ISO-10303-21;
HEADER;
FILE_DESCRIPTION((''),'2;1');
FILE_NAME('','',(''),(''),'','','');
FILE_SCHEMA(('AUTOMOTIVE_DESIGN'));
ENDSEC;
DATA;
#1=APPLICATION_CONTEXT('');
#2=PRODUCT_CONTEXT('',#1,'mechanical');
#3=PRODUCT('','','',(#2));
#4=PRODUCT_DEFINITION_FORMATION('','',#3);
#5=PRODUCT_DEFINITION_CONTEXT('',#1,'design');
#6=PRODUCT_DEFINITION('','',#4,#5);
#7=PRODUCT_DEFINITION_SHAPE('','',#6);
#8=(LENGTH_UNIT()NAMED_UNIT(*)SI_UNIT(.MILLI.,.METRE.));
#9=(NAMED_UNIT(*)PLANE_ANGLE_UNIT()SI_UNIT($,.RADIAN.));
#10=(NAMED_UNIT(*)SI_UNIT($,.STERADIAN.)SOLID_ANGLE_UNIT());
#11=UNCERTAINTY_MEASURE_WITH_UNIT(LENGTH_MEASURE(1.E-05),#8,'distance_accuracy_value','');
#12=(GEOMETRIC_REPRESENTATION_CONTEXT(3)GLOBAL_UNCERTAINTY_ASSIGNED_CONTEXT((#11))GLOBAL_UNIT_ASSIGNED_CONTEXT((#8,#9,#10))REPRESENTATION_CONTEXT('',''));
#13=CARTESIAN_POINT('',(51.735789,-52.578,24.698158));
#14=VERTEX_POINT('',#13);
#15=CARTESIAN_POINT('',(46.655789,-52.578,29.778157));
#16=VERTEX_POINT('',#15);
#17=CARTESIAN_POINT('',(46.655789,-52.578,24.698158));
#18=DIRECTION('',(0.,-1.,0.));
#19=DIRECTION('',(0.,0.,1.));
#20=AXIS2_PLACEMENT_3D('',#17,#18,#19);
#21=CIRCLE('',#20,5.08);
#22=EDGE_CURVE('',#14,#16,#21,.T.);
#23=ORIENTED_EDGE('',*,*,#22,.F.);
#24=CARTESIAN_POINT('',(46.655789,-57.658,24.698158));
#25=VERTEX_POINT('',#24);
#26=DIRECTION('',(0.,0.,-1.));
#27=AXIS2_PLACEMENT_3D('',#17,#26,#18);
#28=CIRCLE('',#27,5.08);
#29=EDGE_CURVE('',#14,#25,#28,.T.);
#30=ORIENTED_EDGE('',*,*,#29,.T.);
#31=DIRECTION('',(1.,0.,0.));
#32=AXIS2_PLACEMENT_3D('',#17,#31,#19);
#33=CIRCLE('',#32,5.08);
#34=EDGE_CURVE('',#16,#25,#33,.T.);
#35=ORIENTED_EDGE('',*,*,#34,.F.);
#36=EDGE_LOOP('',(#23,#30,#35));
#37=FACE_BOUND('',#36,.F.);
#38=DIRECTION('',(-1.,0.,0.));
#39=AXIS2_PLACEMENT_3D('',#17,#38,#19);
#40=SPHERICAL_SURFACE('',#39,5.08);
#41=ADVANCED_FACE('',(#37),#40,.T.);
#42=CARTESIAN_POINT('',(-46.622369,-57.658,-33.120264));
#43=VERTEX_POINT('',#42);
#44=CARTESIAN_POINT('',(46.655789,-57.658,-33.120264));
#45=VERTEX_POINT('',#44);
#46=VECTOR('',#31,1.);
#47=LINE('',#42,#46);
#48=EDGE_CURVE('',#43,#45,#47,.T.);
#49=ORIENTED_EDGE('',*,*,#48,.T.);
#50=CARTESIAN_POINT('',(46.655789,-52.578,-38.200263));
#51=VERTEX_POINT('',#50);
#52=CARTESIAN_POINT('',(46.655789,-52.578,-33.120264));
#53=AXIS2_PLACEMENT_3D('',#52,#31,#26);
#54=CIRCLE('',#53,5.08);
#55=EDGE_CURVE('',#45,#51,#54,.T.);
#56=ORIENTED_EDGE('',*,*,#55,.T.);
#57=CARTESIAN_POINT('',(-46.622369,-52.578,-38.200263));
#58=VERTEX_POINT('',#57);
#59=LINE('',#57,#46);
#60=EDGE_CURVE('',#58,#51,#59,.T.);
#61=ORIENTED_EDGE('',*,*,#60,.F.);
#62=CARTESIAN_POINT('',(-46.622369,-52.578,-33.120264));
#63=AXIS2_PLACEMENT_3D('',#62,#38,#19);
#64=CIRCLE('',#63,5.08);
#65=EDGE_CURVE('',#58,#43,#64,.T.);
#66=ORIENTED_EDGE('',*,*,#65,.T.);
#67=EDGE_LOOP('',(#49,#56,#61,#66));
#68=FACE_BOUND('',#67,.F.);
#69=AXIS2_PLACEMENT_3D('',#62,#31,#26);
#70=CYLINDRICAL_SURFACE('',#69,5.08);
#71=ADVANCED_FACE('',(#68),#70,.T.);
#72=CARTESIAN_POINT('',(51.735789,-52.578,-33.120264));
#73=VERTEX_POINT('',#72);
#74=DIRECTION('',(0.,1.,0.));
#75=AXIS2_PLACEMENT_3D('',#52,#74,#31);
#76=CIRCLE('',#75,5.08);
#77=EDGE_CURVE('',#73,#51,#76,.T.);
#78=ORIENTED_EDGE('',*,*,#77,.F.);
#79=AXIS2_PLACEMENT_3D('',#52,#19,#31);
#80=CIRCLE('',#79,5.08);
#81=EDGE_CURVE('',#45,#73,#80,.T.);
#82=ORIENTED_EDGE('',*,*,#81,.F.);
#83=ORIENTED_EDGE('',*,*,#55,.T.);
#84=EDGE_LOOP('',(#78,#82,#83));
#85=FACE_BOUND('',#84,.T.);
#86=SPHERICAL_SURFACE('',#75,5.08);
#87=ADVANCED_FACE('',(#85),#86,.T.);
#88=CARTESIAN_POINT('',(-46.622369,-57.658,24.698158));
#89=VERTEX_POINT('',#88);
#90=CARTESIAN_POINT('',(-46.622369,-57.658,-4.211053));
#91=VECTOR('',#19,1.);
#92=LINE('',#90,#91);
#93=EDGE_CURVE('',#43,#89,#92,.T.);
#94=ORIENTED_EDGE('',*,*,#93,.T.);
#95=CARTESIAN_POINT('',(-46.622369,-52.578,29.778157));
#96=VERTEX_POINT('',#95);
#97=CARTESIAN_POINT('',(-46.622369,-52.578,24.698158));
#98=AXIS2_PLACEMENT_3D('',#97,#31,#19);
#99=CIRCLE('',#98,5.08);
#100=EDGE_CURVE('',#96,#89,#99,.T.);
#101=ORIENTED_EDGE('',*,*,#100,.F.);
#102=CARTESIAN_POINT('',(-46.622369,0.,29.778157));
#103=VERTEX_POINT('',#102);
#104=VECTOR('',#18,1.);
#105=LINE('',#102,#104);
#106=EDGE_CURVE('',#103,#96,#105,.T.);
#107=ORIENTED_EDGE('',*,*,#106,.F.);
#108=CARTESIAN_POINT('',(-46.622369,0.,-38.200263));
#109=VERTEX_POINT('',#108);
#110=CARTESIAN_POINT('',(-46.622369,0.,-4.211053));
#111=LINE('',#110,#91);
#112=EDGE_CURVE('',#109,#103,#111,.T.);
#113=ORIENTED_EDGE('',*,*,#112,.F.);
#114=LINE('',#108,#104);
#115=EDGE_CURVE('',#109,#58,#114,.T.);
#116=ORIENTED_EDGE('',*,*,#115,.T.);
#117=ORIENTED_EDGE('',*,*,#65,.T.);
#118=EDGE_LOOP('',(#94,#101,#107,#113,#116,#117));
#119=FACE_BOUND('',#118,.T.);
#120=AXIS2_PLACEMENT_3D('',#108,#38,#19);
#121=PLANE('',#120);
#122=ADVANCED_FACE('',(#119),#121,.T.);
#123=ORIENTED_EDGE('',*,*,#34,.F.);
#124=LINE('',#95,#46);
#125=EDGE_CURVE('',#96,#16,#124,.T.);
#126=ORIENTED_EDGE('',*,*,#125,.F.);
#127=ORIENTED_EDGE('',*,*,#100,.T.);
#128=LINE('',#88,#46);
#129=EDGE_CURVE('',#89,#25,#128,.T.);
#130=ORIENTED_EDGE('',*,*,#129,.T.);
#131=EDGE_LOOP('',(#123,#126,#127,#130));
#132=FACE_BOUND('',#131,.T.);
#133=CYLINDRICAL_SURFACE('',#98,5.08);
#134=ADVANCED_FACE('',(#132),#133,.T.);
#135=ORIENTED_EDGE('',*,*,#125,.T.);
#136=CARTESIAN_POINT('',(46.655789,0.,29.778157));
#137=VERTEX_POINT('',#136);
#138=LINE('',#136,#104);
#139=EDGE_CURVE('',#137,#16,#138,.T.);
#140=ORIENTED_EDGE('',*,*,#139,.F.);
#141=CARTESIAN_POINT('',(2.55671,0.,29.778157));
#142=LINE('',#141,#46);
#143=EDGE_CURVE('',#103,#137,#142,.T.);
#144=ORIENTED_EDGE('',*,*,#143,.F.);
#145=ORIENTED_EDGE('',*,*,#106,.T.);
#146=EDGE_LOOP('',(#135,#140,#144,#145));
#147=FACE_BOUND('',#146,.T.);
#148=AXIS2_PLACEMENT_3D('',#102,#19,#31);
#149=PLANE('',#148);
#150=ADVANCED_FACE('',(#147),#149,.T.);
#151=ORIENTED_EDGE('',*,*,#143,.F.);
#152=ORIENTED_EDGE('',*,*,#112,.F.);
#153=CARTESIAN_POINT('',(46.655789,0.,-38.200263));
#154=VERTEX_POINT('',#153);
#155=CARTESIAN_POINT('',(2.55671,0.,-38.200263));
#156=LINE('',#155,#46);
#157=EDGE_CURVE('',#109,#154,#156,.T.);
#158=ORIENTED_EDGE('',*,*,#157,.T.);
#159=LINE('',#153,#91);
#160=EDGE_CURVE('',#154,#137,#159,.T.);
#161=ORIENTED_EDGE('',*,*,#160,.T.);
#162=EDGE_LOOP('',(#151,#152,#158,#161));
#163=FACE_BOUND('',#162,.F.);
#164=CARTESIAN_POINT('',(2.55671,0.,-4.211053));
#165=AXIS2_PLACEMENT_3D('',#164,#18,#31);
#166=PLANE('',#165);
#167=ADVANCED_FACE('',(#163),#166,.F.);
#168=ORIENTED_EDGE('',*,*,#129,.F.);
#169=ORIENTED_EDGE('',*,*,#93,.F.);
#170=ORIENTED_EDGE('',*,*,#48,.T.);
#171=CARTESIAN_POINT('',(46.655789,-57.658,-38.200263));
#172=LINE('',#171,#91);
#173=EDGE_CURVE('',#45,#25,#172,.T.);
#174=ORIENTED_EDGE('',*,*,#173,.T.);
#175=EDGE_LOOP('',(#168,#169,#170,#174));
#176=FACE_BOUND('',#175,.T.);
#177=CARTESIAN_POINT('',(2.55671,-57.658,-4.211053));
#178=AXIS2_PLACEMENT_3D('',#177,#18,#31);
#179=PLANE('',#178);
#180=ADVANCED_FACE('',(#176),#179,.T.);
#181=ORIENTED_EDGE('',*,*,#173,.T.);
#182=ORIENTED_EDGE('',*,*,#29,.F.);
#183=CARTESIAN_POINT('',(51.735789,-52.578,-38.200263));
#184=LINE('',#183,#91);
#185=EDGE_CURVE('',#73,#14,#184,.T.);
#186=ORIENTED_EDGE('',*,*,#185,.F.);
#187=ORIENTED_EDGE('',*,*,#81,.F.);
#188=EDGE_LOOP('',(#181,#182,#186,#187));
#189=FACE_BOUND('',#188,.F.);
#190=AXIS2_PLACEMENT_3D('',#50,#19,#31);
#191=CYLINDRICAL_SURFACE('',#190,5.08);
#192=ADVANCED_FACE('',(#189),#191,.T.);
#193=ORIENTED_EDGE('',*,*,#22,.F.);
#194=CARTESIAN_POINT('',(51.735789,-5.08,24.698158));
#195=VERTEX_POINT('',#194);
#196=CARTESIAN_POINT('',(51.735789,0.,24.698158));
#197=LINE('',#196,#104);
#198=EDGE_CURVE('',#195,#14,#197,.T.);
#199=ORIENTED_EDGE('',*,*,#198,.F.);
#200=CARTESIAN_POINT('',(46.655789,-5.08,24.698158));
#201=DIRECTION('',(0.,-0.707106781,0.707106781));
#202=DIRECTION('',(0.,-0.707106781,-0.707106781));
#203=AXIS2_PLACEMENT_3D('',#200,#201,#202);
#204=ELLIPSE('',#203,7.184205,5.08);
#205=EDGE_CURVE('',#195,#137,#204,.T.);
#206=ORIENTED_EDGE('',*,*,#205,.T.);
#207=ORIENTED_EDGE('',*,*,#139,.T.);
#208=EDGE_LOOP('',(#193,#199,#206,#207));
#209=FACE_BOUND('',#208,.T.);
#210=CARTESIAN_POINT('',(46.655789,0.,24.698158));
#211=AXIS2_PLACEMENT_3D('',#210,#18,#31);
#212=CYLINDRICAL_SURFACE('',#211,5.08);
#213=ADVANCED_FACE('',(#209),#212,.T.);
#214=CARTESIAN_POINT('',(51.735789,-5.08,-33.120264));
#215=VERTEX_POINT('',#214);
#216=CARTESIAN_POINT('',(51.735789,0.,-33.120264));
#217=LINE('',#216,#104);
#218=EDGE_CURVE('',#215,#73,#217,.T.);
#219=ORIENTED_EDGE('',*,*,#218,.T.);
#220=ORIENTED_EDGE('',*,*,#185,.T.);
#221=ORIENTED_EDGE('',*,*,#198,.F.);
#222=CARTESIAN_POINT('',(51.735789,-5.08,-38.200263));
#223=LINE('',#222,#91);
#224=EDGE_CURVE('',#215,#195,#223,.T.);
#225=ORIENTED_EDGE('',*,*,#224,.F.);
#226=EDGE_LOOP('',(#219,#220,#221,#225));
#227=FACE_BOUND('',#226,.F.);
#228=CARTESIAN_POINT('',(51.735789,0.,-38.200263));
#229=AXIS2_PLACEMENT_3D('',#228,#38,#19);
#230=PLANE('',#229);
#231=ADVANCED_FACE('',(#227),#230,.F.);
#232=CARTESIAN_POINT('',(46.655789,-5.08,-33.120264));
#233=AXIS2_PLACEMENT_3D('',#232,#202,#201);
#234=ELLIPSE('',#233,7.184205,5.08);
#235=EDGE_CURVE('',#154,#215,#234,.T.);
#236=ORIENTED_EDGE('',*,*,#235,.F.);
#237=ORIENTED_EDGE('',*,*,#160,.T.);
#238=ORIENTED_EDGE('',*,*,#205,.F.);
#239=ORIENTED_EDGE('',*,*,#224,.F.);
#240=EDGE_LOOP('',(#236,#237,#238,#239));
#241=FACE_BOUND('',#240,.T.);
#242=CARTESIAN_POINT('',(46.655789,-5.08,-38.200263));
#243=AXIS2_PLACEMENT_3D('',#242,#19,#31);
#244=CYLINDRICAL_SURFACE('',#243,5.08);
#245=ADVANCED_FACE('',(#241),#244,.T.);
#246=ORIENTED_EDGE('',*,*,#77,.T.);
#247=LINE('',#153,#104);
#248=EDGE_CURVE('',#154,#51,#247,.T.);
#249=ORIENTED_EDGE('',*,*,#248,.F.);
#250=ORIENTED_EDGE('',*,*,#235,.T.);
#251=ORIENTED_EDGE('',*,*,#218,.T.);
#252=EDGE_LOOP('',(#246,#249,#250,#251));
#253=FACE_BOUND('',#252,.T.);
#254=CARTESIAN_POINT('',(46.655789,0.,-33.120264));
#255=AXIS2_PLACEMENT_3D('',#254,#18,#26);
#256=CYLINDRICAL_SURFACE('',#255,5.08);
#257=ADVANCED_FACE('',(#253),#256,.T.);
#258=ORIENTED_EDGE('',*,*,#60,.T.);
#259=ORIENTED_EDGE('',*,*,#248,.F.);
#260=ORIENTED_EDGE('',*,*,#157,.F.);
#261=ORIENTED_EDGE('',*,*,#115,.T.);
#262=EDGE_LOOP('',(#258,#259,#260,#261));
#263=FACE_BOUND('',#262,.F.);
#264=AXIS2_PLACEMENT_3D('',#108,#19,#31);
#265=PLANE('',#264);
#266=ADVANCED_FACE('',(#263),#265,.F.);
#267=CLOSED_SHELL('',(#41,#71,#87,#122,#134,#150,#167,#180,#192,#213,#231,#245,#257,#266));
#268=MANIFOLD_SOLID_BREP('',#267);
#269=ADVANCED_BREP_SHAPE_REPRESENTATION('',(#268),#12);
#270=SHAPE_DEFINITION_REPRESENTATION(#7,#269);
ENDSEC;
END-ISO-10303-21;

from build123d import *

# Parameters (mm, degrees)
F0_W     = 98.358158
F0_H     = 67.978421
F1_DEPTH = 57.658
F2_R     = 5.08


with BuildPart() as f1:
    # F0 (on Front) → F1 (new body)
    with BuildSketch(Plane.XZ):
        with Locations((2.55671, -4.211053)):
            Rectangle(F0_W, F0_H)
    extrude(amount=F1_DEPTH)

    # F2
    f2_edges = [f1.edges().sort_by_distance(p)[0] for p in [
        (2.55671, -57.658, 29.778158),
        (51.735789, -28.829, -38.200263),
        (51.735789, -28.829, 29.778158),
        (51.735789, 0, -4.211052),
        (51.735789, -57.658, -4.211052),
        (2.55671, -57.658, -38.200263),
    ]]
    fillet(f2_edges, radius=F2_R)


solid = f1.part
